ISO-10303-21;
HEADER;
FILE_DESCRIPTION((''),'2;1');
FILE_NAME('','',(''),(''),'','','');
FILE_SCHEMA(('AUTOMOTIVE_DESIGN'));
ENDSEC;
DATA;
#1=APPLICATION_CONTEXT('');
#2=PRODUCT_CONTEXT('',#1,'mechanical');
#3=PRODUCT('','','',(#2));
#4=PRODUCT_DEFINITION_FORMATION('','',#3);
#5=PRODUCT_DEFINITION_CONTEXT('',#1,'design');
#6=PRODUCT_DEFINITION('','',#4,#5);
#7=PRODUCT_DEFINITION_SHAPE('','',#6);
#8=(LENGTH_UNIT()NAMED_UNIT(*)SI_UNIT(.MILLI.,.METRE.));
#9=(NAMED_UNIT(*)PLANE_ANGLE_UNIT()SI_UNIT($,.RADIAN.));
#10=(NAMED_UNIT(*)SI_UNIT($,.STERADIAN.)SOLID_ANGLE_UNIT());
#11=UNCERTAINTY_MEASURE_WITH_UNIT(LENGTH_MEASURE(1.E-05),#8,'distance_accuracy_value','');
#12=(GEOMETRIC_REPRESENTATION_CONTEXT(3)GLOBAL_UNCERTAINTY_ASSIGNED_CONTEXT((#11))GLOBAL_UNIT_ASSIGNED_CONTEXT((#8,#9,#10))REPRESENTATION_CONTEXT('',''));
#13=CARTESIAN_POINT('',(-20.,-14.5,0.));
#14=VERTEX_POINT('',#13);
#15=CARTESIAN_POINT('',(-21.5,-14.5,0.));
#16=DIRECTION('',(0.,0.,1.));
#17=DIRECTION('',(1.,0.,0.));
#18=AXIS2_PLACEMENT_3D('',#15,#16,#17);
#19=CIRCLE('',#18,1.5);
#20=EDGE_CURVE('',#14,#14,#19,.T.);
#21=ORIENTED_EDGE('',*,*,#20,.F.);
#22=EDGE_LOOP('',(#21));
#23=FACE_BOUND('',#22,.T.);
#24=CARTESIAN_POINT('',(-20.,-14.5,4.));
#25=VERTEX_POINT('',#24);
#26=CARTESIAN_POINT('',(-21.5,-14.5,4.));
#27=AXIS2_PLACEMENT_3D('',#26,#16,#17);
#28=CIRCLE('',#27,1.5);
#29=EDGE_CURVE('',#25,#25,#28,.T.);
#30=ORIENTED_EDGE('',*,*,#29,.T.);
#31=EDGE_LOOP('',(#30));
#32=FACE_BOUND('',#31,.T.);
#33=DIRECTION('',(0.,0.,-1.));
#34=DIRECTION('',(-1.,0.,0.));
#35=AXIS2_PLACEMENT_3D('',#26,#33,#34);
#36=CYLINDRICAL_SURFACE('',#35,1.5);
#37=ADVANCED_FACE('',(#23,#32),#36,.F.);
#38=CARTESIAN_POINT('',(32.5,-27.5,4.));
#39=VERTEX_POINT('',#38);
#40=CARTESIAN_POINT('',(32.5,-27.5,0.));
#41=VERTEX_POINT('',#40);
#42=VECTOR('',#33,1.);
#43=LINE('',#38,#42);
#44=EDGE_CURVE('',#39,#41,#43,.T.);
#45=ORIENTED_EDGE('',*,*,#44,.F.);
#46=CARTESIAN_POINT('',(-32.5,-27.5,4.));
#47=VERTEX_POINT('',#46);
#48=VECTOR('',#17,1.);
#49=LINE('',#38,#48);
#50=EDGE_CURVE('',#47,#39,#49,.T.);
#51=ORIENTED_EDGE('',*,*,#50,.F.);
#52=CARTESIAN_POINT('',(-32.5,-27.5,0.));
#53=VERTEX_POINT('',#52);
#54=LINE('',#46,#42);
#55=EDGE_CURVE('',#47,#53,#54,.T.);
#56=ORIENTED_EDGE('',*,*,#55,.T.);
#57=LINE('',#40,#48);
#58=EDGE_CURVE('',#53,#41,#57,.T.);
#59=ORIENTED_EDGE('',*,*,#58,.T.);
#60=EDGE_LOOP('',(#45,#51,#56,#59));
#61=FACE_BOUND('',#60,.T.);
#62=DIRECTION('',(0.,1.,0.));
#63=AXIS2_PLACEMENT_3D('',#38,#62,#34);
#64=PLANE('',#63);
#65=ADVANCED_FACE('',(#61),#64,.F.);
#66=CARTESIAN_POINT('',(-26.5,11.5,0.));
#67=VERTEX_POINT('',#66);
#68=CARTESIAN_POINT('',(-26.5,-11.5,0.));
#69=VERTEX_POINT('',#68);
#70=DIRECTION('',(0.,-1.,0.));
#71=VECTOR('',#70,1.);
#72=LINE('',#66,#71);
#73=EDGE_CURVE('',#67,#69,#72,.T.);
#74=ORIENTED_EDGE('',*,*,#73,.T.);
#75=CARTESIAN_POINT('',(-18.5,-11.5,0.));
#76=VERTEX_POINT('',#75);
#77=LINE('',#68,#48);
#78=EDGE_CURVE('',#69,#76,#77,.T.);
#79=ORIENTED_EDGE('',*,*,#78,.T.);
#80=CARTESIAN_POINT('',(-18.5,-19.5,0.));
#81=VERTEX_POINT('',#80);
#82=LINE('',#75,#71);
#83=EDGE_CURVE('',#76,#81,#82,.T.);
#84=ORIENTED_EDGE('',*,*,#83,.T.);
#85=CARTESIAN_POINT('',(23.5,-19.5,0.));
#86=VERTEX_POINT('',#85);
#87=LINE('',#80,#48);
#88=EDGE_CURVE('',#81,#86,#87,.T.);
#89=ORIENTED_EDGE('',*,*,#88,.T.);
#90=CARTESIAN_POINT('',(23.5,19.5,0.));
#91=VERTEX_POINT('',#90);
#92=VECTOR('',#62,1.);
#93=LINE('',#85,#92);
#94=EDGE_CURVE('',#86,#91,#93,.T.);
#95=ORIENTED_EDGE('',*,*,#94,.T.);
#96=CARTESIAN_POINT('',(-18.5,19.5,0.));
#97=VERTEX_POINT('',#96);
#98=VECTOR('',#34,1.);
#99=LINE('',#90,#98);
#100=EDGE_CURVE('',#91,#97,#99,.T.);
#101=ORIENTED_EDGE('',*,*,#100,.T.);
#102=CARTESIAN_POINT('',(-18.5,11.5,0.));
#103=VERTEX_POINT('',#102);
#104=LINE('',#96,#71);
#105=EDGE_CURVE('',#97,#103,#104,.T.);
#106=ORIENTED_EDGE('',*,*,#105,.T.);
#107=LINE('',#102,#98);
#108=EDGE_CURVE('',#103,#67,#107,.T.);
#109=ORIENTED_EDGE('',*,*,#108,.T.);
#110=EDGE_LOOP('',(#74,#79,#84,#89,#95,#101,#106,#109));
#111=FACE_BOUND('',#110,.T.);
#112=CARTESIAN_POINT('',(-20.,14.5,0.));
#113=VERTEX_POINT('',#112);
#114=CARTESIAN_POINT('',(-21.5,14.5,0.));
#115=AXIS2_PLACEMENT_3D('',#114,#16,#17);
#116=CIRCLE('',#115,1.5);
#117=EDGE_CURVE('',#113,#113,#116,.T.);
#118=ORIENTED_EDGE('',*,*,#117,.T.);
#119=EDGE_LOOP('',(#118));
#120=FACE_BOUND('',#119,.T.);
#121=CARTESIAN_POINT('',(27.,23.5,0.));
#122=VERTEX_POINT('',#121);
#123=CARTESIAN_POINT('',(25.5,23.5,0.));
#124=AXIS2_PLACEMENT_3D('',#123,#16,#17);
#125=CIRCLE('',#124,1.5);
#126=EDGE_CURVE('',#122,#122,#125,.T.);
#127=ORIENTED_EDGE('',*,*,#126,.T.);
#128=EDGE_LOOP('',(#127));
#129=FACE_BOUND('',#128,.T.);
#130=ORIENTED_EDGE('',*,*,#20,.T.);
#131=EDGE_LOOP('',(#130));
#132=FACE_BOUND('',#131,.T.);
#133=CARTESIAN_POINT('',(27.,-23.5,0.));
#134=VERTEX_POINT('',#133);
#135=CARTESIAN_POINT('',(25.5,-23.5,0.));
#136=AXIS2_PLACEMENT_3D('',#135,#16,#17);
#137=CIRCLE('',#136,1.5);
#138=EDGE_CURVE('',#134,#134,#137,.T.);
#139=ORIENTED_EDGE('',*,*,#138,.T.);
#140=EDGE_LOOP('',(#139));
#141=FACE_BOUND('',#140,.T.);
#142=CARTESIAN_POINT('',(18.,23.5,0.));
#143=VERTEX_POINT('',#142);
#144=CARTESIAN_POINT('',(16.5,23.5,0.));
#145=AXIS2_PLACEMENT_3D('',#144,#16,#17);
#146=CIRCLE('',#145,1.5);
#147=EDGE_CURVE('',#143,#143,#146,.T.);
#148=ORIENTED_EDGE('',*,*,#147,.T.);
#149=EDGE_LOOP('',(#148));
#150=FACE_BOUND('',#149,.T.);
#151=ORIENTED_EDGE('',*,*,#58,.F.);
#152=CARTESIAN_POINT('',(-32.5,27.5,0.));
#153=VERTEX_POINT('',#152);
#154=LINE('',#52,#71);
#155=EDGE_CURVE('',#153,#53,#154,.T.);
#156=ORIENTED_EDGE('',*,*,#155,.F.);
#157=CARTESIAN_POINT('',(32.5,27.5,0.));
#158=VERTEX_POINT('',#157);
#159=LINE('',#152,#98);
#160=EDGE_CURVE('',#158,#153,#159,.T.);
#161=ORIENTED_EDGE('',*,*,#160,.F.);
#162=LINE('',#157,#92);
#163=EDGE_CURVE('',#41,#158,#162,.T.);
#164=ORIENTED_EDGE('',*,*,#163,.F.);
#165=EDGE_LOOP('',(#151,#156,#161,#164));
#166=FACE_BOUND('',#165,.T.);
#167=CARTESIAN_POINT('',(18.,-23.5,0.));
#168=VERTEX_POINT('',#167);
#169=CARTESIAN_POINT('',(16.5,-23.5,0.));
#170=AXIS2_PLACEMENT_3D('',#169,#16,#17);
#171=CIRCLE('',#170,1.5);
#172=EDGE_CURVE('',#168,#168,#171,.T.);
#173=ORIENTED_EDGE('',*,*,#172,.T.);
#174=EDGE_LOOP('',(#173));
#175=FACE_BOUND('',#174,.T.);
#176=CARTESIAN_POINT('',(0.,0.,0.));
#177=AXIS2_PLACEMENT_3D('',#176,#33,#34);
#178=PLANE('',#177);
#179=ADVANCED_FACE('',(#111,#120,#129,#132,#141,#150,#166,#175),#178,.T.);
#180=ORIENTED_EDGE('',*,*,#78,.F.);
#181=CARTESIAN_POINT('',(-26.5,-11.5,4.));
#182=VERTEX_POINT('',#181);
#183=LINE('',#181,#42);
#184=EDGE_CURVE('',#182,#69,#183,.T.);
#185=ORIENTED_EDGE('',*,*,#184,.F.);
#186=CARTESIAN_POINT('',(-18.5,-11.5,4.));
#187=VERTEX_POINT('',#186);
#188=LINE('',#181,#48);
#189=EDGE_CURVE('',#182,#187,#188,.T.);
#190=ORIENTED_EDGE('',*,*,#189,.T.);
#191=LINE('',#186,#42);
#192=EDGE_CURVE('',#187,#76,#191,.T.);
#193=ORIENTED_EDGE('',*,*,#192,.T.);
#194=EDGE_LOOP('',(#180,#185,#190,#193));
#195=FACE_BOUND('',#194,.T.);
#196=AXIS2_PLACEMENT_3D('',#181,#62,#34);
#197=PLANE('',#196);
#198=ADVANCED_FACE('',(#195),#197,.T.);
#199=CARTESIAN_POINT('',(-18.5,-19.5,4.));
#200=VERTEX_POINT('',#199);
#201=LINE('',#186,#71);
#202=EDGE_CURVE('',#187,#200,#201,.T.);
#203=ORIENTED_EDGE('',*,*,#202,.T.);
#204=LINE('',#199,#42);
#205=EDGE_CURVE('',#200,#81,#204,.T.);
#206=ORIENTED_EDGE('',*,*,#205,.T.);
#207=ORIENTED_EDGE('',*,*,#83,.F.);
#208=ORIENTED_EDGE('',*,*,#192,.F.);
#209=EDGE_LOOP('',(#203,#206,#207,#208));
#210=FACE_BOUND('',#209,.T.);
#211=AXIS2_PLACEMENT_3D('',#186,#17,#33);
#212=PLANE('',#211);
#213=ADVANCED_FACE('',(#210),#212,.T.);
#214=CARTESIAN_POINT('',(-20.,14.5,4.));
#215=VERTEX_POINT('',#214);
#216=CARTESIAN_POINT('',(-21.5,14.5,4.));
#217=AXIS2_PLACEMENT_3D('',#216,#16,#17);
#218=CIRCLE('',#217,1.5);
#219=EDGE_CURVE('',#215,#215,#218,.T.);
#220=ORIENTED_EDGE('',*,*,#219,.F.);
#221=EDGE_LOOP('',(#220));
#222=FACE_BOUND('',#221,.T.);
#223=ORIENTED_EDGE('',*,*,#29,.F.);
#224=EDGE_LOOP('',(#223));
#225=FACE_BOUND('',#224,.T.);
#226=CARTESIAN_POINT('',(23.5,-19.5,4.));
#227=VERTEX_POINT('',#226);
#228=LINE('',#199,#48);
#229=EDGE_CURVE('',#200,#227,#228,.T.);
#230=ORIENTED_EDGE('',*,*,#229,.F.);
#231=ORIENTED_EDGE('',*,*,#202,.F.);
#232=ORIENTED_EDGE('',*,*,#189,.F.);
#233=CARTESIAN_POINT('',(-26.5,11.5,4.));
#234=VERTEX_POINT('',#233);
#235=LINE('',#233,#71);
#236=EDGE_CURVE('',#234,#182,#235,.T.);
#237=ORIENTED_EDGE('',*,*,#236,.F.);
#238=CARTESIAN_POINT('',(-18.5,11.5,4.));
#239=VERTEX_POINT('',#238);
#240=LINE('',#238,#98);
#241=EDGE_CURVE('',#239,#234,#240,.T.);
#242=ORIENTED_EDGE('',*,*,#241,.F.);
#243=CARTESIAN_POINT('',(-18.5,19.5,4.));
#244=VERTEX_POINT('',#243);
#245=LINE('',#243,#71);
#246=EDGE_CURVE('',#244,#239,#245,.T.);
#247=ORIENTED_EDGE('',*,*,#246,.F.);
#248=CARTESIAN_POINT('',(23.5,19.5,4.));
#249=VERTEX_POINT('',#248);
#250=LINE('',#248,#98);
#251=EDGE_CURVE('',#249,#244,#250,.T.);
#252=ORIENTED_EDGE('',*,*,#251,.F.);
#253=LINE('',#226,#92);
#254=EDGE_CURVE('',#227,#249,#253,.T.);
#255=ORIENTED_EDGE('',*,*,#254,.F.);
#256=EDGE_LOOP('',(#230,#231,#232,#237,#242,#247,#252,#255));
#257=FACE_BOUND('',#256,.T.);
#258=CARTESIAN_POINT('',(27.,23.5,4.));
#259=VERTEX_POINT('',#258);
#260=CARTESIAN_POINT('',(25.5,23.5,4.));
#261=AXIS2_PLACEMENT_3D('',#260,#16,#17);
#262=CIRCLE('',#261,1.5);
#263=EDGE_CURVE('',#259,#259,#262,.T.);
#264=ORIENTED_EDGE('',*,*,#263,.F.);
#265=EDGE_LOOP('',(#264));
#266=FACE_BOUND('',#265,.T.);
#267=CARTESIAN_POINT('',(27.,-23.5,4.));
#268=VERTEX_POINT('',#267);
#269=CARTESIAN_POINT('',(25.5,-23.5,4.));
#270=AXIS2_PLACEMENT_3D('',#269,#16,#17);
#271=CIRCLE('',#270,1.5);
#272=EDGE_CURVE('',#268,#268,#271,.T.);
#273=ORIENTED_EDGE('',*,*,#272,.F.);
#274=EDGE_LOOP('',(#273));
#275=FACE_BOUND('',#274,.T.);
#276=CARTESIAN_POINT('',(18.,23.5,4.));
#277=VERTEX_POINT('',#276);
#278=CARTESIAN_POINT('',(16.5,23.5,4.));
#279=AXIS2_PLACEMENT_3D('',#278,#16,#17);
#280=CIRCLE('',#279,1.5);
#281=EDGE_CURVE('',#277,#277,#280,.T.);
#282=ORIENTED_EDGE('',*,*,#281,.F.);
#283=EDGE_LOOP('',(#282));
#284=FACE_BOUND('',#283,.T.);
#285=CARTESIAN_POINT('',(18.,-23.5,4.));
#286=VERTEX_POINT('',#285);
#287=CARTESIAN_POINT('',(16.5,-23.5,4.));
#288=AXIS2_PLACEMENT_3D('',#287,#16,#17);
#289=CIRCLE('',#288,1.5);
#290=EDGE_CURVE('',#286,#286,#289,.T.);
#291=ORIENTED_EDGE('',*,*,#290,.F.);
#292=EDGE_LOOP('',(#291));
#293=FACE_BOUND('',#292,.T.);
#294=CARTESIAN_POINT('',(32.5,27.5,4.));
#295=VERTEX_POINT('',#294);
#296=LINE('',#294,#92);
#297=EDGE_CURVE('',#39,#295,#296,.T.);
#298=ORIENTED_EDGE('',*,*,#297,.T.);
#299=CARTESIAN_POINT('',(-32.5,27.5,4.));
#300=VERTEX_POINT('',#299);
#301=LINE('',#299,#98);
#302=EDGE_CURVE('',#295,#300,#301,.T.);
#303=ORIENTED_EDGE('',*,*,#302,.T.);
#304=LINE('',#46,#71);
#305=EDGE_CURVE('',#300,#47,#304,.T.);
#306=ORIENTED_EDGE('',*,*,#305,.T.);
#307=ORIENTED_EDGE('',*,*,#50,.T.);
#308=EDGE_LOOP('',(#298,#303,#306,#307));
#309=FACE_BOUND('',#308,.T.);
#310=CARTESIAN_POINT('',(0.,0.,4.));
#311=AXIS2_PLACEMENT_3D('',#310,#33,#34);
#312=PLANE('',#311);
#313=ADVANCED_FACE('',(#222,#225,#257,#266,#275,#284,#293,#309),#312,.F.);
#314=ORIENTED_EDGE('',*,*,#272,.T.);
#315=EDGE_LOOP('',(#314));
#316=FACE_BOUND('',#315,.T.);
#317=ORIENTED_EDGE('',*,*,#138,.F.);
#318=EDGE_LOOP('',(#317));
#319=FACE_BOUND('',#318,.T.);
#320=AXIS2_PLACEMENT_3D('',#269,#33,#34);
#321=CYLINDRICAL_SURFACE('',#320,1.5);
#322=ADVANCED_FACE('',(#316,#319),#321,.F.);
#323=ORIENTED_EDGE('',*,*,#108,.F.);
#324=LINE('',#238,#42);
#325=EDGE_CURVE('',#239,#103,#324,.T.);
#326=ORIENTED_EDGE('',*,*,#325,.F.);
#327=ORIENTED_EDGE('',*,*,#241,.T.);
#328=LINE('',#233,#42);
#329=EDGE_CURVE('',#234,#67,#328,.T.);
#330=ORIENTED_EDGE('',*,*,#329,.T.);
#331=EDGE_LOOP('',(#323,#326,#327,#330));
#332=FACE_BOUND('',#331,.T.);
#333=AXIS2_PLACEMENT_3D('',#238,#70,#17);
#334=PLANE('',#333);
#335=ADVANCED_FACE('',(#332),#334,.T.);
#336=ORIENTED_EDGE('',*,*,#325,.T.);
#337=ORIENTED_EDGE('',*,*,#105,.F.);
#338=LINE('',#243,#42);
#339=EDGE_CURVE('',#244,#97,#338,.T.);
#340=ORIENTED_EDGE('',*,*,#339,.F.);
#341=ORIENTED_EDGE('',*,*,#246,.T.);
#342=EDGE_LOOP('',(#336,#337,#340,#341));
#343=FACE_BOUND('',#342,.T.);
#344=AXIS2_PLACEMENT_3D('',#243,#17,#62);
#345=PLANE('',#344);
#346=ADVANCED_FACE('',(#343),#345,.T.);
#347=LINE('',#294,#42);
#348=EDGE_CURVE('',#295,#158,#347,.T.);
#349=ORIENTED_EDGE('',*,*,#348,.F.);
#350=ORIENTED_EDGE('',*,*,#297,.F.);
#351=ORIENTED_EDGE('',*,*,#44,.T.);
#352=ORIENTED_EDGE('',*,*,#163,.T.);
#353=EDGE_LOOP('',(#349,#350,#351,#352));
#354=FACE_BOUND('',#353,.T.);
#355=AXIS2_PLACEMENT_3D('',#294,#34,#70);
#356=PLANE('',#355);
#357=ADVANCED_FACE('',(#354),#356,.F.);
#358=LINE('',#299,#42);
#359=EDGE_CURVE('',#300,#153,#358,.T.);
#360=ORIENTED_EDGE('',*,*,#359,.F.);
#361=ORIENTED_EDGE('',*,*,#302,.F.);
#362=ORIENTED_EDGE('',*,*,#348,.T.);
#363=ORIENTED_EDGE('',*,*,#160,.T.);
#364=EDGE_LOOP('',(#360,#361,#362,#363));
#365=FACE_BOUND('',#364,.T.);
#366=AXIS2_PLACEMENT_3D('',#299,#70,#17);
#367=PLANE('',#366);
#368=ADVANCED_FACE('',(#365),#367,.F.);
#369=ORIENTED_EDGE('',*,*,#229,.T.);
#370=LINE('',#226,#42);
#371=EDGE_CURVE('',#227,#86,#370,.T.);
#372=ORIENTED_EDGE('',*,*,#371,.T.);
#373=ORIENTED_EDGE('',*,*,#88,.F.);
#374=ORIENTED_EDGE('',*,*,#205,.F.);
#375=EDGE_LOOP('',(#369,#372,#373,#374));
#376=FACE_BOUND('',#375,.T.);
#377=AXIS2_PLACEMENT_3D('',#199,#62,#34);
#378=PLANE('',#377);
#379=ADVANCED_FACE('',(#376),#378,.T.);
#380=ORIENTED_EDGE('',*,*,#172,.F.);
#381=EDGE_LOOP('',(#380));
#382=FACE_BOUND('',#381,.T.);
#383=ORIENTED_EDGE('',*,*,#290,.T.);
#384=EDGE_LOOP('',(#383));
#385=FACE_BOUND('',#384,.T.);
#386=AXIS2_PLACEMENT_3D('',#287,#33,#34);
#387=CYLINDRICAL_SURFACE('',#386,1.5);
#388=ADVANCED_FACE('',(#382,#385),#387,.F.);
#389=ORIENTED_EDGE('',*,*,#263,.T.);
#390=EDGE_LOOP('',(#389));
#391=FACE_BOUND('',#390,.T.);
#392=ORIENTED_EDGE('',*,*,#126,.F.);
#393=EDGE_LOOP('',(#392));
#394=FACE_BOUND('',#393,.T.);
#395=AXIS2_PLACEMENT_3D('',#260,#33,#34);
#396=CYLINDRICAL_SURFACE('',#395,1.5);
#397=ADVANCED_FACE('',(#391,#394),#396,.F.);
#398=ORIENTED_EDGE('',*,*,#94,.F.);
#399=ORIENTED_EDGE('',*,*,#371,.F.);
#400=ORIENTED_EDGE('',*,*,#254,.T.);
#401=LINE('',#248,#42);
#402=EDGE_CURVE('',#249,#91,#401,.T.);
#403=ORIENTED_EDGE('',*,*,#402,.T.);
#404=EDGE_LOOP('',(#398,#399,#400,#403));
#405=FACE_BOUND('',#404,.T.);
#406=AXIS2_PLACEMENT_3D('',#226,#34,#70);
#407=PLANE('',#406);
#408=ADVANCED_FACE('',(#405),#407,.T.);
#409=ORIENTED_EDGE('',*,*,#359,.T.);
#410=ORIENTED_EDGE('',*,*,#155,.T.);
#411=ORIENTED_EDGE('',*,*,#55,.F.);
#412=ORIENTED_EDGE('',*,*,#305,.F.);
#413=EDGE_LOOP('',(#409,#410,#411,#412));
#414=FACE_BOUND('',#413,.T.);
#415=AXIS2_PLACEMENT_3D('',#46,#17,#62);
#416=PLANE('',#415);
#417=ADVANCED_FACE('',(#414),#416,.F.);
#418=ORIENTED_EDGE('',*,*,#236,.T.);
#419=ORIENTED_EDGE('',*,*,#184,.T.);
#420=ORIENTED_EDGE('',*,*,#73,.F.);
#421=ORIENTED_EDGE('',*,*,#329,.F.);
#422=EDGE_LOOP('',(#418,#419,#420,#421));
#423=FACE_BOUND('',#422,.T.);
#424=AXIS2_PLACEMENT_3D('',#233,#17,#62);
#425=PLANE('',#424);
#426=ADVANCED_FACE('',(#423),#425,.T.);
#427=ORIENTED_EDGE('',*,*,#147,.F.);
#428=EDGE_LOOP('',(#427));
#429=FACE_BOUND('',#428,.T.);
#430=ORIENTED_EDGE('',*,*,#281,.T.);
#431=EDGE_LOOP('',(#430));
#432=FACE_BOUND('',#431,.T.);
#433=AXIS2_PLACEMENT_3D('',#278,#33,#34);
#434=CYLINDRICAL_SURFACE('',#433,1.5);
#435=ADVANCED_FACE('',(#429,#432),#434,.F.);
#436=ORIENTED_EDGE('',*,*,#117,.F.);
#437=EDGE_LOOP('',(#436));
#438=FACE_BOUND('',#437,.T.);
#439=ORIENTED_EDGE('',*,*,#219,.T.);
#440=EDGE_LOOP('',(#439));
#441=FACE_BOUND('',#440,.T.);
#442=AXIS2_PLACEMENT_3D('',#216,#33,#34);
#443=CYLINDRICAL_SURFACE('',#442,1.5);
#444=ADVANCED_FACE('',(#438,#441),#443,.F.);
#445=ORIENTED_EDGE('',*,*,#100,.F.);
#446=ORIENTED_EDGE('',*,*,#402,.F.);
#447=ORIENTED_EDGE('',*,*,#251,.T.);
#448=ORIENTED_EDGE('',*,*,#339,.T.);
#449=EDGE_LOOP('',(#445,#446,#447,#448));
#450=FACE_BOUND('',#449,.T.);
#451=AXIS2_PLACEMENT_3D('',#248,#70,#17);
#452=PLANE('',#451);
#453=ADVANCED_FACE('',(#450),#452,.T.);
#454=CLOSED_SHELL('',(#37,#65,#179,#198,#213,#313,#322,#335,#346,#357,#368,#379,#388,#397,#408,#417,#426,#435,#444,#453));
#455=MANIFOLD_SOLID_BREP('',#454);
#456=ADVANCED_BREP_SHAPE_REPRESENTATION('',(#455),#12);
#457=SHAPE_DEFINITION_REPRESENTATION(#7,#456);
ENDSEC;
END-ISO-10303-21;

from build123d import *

# Parameters (mm, degrees)
SKETCH_1_W      = 65
SKETCH_1_H      = 55
SKETCH_1_R      = 1.5
EXTRUDE_1_DEPTH = 4


with BuildPart() as part:
    # 草图1 → 凸台-拉伸1 (new body)
    with BuildSketch(Plane.XY):
        Rectangle(SKETCH_1_W, SKETCH_1_H)
        with Locations((-21.5, 14.5)):
            Circle(SKETCH_1_R, mode=Mode.SUBTRACT)
        with Locations((-21.5, -14.5)):
            Circle(SKETCH_1_R, mode=Mode.SUBTRACT)
        with Locations((16.5, 23.5)):
            Circle(SKETCH_1_R, mode=Mode.SUBTRACT)
        with Locations((25.5, 23.5)):
            Circle(SKETCH_1_R, mode=Mode.SUBTRACT)
        with Locations((16.5, -23.5)):
            Circle(SKETCH_1_R, mode=Mode.SUBTRACT)
        with Locations((25.5, -23.5)):
            Circle(SKETCH_1_R, mode=Mode.SUBTRACT)
        Polygon((23.5, -19.5), (23.5, 19.5), (-18.5, 19.5), (-18.5, 11.5), (-26.5, 11.5), (-26.5, -11.5), (-18.5, -11.5), (-18.5, -19.5), align=None, mode=Mode.SUBTRACT)
    extrude(amount=EXTRUDE_1_DEPTH)


solid = part.part
